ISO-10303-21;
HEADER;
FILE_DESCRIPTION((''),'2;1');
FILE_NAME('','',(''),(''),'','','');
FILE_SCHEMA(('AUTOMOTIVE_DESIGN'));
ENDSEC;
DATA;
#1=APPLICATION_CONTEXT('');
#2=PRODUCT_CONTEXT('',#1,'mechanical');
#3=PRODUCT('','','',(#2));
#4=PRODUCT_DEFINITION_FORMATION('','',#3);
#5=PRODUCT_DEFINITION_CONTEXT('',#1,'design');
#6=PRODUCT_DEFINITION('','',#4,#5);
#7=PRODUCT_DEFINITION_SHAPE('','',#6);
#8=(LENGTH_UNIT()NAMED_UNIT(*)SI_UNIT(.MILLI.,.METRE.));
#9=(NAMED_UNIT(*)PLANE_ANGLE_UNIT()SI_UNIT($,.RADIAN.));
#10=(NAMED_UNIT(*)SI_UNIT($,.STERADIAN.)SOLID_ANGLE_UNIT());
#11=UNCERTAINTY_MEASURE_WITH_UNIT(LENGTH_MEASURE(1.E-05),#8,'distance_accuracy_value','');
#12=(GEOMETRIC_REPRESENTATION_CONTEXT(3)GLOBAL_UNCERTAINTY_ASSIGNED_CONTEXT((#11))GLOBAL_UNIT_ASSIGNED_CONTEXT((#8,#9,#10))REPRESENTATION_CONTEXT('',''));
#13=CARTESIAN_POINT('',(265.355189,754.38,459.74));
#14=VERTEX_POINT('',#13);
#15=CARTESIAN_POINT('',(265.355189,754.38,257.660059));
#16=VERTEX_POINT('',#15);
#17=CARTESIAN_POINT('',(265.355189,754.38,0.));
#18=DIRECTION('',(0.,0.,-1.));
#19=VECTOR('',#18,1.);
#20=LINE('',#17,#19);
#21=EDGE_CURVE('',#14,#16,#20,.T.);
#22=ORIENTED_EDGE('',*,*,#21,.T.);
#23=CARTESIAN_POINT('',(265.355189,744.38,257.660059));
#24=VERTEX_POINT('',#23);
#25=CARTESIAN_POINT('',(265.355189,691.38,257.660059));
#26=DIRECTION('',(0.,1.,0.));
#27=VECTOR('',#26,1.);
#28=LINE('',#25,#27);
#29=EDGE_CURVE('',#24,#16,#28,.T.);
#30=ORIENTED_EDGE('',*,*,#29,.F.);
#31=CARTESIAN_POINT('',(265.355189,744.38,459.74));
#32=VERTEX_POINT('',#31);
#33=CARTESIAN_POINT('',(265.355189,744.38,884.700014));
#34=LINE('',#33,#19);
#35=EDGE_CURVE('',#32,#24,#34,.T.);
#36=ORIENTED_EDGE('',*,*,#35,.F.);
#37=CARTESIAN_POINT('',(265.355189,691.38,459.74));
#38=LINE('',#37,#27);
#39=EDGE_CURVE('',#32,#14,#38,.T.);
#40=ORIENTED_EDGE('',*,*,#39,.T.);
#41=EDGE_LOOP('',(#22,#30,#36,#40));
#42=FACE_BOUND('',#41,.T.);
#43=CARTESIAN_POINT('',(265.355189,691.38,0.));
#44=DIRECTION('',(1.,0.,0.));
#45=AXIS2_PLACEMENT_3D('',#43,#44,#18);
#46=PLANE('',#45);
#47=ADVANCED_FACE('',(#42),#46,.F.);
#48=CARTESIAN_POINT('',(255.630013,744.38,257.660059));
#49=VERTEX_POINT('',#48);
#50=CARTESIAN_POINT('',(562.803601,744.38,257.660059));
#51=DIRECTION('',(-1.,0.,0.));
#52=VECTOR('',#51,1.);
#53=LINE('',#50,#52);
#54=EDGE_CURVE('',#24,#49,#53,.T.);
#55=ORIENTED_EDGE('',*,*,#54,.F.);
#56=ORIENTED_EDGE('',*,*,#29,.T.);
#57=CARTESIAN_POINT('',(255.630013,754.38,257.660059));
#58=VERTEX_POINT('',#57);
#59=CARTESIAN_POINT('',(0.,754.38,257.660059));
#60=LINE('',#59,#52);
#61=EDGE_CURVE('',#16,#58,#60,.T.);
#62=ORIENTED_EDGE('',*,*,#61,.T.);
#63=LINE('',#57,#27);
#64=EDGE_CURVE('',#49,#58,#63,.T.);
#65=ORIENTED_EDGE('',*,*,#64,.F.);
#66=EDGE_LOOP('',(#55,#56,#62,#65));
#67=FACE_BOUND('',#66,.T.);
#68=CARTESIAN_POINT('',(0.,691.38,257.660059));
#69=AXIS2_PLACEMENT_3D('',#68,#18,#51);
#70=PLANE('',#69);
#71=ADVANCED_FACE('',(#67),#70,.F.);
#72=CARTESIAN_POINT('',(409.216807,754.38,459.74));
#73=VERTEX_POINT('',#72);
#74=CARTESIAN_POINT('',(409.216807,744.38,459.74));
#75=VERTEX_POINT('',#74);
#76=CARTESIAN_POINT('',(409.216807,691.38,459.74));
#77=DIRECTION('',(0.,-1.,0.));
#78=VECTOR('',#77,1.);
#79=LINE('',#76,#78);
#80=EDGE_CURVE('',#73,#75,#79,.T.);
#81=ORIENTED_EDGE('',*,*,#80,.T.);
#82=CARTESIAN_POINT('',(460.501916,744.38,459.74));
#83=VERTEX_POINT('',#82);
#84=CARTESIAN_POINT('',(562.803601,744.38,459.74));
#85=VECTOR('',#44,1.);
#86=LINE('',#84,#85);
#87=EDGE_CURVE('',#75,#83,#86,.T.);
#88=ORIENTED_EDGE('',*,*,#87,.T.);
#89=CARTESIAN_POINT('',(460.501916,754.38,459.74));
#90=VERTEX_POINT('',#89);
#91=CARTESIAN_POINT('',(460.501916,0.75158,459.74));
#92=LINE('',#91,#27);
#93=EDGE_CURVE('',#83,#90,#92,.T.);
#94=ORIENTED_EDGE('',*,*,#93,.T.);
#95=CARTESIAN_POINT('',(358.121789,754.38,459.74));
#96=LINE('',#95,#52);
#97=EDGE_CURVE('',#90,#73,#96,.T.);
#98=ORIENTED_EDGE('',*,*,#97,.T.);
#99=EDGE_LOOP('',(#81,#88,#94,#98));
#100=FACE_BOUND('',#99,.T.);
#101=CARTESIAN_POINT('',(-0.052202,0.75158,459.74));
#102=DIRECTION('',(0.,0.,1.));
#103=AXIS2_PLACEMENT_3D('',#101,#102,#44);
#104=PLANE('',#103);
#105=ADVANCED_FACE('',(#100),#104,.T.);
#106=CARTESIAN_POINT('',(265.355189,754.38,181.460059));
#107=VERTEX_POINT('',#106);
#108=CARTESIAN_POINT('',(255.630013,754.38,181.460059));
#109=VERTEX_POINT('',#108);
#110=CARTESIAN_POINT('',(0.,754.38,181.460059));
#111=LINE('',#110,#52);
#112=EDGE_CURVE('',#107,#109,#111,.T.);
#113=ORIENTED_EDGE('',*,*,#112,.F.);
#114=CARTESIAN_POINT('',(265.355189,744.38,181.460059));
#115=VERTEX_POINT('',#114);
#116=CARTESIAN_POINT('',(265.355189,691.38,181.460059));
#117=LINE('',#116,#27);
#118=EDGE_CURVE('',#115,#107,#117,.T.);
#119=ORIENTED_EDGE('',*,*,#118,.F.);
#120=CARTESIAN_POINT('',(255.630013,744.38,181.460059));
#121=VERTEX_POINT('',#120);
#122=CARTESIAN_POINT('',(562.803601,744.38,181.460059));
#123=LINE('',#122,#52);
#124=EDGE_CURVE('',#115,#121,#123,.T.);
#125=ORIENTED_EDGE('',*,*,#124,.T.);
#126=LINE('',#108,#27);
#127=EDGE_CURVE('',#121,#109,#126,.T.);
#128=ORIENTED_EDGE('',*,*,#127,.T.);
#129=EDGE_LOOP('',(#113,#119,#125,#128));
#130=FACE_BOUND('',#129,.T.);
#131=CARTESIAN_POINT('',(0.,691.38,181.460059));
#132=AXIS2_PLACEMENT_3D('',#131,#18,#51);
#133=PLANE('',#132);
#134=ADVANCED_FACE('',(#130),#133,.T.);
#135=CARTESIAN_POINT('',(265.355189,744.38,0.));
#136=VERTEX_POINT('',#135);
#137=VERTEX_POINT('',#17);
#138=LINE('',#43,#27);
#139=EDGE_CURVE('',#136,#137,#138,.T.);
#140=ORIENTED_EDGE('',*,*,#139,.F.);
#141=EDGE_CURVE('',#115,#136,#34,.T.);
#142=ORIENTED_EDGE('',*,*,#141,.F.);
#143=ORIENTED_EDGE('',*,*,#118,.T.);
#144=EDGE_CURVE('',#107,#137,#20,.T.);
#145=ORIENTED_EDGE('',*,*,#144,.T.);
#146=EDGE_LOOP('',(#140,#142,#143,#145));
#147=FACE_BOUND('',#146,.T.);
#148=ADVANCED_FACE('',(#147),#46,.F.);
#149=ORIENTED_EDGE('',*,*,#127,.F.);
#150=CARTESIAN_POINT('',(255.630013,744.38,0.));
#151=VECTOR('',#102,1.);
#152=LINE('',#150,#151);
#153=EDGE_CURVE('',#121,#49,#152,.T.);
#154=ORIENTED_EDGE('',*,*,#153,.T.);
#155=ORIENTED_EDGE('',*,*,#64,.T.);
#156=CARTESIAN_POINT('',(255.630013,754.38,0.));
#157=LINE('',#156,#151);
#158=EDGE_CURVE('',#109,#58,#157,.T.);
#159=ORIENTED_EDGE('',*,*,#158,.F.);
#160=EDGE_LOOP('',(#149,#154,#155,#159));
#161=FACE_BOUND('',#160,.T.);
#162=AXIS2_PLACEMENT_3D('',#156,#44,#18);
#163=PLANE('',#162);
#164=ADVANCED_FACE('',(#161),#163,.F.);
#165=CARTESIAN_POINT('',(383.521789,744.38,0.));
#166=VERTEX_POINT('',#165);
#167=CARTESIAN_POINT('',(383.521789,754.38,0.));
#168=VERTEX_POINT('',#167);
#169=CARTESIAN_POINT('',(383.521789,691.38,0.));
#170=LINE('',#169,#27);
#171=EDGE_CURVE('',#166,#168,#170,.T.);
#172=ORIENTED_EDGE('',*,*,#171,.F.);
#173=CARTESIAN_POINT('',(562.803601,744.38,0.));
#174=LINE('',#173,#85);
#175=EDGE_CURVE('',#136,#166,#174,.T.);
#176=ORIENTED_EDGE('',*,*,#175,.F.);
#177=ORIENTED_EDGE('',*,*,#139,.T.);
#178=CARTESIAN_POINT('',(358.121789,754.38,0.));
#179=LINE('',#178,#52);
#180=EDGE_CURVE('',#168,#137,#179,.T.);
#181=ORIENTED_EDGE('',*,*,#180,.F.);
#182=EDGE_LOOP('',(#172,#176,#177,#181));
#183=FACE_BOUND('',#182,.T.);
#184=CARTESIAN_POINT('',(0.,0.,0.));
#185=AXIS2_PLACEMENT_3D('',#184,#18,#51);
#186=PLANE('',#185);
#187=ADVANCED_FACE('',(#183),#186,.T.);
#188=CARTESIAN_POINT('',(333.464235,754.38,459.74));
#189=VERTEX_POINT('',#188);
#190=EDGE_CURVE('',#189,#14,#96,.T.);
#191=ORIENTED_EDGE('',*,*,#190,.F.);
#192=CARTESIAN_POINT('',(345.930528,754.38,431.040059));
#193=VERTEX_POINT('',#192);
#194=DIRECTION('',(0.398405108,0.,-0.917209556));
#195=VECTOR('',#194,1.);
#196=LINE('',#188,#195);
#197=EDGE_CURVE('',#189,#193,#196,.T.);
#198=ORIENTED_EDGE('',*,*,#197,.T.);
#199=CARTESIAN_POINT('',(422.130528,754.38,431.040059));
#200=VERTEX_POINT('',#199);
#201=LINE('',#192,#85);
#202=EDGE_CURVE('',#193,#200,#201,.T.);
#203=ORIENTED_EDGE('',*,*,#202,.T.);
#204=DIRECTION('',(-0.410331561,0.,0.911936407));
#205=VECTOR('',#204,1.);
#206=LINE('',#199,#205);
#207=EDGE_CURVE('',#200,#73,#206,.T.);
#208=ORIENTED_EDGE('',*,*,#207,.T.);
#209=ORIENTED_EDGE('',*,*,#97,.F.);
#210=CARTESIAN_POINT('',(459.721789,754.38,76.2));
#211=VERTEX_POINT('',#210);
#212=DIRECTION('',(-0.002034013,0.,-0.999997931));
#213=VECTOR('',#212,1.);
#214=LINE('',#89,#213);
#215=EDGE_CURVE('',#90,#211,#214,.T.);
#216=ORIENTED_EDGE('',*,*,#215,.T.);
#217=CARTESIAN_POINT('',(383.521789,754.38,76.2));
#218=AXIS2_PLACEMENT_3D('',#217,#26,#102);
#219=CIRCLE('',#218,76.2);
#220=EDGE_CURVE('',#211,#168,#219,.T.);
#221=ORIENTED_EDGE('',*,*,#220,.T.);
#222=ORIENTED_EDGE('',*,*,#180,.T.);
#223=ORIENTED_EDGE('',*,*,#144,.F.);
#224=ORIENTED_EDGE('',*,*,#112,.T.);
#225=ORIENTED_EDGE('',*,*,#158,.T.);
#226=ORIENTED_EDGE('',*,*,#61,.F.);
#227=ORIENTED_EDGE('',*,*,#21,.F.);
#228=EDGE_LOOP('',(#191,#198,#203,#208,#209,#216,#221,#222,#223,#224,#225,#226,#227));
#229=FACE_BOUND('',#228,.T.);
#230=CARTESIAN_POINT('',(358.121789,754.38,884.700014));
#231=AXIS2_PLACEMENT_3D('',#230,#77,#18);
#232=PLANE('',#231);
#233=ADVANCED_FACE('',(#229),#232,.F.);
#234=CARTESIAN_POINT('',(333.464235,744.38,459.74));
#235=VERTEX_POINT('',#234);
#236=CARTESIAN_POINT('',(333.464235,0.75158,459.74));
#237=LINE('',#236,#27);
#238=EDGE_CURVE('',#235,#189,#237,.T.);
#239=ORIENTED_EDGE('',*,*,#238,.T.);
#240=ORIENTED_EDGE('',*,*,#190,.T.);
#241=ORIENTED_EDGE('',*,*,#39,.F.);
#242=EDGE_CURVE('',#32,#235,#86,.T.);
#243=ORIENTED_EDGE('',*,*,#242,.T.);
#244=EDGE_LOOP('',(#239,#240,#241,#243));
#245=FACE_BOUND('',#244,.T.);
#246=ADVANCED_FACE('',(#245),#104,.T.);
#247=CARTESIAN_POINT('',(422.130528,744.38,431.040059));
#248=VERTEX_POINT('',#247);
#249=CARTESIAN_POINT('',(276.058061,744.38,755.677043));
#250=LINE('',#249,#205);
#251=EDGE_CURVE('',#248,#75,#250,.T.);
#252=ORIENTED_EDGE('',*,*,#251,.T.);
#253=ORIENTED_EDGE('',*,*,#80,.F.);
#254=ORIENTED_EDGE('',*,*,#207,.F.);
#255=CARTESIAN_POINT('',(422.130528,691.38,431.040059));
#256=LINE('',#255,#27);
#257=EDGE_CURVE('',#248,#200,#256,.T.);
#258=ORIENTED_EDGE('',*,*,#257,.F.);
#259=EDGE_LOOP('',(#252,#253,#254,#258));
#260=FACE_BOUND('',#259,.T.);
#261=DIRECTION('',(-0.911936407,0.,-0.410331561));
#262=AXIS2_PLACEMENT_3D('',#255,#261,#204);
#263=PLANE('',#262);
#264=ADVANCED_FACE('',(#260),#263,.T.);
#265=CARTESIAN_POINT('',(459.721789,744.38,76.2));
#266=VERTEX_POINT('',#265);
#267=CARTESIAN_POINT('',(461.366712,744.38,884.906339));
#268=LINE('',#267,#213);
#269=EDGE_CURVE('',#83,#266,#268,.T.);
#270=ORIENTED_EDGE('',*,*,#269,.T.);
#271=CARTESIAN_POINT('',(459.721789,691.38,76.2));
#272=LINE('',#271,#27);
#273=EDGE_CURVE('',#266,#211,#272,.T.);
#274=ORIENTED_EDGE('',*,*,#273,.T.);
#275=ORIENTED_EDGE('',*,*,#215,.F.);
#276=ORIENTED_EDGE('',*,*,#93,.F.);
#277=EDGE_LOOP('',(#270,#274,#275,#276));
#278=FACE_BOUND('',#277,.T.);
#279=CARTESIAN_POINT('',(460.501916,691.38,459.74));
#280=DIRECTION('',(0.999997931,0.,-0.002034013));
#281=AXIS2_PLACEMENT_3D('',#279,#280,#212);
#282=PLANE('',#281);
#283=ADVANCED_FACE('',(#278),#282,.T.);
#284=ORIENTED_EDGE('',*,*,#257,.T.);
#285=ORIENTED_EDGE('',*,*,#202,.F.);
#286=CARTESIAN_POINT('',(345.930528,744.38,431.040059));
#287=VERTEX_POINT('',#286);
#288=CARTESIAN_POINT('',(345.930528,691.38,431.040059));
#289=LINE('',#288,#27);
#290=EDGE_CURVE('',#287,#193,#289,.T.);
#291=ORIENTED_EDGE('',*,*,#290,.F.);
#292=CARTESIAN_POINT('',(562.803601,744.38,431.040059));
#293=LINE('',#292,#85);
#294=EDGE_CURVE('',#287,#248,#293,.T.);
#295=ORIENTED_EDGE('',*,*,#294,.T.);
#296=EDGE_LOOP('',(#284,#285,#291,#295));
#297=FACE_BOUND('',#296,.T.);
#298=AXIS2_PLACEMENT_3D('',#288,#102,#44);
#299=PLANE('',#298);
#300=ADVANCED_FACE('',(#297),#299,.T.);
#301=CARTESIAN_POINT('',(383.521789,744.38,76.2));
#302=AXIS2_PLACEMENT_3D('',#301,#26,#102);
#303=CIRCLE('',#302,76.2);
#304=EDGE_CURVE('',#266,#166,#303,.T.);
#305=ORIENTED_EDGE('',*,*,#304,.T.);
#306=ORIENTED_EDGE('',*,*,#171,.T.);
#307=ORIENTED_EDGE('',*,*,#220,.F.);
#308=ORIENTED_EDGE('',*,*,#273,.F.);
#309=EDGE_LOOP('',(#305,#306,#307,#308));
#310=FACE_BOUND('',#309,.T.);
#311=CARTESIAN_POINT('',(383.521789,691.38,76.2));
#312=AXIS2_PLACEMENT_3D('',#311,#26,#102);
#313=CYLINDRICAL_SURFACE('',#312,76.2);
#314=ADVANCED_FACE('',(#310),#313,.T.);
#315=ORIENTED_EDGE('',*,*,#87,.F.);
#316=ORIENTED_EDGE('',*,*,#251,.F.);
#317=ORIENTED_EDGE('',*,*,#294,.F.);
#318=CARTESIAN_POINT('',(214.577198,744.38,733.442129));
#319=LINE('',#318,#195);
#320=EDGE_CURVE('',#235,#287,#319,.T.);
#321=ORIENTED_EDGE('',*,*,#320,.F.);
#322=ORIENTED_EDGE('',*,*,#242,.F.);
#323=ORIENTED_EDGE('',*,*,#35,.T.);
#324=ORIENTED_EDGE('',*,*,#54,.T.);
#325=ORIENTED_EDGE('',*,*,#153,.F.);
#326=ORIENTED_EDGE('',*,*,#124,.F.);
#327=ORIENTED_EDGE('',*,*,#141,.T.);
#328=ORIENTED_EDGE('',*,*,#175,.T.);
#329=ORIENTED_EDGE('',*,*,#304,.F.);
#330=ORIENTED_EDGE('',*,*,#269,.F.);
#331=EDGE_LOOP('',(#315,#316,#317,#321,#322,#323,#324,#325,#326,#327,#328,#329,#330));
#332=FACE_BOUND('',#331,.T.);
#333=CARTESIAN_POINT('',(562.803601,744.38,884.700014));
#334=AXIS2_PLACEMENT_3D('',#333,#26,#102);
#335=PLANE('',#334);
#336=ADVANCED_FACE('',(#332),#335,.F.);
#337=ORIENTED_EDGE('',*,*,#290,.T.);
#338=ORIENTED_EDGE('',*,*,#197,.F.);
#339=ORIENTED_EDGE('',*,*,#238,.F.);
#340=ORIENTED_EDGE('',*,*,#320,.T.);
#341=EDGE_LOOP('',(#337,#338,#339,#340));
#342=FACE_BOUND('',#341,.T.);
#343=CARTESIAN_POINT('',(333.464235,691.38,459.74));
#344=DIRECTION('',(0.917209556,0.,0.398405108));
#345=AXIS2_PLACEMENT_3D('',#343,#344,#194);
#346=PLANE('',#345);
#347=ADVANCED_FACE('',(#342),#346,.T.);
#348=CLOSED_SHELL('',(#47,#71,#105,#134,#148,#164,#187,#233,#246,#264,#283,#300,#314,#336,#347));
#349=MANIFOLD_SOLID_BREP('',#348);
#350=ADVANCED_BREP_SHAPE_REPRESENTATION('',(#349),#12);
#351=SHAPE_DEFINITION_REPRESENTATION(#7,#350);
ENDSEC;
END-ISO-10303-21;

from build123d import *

# Parameters (mm, degrees)
BOSS_EXTRUDE1_DEPTH = 459.74
SKETCH3_W           = 117.668752198
SKETCH3_H           = 459.74
CUT_EXTRUDE1_DEPTH  = 10
SKETCH4_W           = 9.725175386
SKETCH4_H           = 202.0799409
SKETCH4_H_2         = 181.4600591
CUT_EXTRUDE3_DEPTH  = 63


with BuildPart() as part:
    # Sketch1 → Boss-Extrude1 (new body)
    with BuildSketch(Plane.XY):
        Polygon((358.121789204, 754.380000017), (137.961261276, 754.380000017), (137.961261276, 744.380000017), (562.803601281, 744.380000017), (562.803601281, 754.380000017), align=None)
    extrude(amount=BOSS_EXTRUDE1_DEPTH)

    # Sketch3 → Cut-Extrude1 (cut)
    with BuildSketch(Plane.XZ.offset(-744.380000017)):
        with Locations((196.795637375, 229.87)):
            Rectangle(SKETCH3_W, SKETCH3_H)
    extrude(amount=-CUT_EXTRUDE1_DEPTH, mode=Mode.SUBTRACT)

    # Sketch4 → Cut-Extrude3 (cut)
    with BuildSketch(Plane(origin=(0, 754.380000017, 0), x_dir=(1, 0, 0), z_dir=(0, 1, 0))):
        with Locations((260.492601167, -358.70002955)):
            Rectangle(SKETCH4_W, SKETCH4_H)
        with Locations((260.492601167, -90.73002955)):
            Rectangle(SKETCH4_W, SKETCH4_H_2)
        with BuildLine():
            Line((333.464234552, -459.74), (369.761877542, -561.839328351))
            Line((369.761877542, -561.839328351), (604.247212907, -525.668487146))
            Line((604.247212907, -525.668487146), (681.481358703, 161.10923172))
            Line((681.481358703, 161.10923172), (358.740146189, 101.846462791))
            Line((358.740146189, 101.846462791), (383.521789204, 0))
            ThreePointArc((383.521789204, 0), (437.403325931, -22.318463274), (459.721789204, -76.2))
            Line((459.721789204, -76.2), (460.501916297, -459.74))
            Line((460.501916297, -459.74), (409.216807378, -459.74))
            Line((409.216807378, -459.74), (422.130527537, -431.0400591))
            Line((422.130527537, -431.0400591), (345.930527537, -431.0400591))
            Line((345.930527537, -431.0400591), (333.464234552, -459.74))
        make_face()
    extrude(amount=-CUT_EXTRUDE3_DEPTH, mode=Mode.SUBTRACT)


solid = part.part
